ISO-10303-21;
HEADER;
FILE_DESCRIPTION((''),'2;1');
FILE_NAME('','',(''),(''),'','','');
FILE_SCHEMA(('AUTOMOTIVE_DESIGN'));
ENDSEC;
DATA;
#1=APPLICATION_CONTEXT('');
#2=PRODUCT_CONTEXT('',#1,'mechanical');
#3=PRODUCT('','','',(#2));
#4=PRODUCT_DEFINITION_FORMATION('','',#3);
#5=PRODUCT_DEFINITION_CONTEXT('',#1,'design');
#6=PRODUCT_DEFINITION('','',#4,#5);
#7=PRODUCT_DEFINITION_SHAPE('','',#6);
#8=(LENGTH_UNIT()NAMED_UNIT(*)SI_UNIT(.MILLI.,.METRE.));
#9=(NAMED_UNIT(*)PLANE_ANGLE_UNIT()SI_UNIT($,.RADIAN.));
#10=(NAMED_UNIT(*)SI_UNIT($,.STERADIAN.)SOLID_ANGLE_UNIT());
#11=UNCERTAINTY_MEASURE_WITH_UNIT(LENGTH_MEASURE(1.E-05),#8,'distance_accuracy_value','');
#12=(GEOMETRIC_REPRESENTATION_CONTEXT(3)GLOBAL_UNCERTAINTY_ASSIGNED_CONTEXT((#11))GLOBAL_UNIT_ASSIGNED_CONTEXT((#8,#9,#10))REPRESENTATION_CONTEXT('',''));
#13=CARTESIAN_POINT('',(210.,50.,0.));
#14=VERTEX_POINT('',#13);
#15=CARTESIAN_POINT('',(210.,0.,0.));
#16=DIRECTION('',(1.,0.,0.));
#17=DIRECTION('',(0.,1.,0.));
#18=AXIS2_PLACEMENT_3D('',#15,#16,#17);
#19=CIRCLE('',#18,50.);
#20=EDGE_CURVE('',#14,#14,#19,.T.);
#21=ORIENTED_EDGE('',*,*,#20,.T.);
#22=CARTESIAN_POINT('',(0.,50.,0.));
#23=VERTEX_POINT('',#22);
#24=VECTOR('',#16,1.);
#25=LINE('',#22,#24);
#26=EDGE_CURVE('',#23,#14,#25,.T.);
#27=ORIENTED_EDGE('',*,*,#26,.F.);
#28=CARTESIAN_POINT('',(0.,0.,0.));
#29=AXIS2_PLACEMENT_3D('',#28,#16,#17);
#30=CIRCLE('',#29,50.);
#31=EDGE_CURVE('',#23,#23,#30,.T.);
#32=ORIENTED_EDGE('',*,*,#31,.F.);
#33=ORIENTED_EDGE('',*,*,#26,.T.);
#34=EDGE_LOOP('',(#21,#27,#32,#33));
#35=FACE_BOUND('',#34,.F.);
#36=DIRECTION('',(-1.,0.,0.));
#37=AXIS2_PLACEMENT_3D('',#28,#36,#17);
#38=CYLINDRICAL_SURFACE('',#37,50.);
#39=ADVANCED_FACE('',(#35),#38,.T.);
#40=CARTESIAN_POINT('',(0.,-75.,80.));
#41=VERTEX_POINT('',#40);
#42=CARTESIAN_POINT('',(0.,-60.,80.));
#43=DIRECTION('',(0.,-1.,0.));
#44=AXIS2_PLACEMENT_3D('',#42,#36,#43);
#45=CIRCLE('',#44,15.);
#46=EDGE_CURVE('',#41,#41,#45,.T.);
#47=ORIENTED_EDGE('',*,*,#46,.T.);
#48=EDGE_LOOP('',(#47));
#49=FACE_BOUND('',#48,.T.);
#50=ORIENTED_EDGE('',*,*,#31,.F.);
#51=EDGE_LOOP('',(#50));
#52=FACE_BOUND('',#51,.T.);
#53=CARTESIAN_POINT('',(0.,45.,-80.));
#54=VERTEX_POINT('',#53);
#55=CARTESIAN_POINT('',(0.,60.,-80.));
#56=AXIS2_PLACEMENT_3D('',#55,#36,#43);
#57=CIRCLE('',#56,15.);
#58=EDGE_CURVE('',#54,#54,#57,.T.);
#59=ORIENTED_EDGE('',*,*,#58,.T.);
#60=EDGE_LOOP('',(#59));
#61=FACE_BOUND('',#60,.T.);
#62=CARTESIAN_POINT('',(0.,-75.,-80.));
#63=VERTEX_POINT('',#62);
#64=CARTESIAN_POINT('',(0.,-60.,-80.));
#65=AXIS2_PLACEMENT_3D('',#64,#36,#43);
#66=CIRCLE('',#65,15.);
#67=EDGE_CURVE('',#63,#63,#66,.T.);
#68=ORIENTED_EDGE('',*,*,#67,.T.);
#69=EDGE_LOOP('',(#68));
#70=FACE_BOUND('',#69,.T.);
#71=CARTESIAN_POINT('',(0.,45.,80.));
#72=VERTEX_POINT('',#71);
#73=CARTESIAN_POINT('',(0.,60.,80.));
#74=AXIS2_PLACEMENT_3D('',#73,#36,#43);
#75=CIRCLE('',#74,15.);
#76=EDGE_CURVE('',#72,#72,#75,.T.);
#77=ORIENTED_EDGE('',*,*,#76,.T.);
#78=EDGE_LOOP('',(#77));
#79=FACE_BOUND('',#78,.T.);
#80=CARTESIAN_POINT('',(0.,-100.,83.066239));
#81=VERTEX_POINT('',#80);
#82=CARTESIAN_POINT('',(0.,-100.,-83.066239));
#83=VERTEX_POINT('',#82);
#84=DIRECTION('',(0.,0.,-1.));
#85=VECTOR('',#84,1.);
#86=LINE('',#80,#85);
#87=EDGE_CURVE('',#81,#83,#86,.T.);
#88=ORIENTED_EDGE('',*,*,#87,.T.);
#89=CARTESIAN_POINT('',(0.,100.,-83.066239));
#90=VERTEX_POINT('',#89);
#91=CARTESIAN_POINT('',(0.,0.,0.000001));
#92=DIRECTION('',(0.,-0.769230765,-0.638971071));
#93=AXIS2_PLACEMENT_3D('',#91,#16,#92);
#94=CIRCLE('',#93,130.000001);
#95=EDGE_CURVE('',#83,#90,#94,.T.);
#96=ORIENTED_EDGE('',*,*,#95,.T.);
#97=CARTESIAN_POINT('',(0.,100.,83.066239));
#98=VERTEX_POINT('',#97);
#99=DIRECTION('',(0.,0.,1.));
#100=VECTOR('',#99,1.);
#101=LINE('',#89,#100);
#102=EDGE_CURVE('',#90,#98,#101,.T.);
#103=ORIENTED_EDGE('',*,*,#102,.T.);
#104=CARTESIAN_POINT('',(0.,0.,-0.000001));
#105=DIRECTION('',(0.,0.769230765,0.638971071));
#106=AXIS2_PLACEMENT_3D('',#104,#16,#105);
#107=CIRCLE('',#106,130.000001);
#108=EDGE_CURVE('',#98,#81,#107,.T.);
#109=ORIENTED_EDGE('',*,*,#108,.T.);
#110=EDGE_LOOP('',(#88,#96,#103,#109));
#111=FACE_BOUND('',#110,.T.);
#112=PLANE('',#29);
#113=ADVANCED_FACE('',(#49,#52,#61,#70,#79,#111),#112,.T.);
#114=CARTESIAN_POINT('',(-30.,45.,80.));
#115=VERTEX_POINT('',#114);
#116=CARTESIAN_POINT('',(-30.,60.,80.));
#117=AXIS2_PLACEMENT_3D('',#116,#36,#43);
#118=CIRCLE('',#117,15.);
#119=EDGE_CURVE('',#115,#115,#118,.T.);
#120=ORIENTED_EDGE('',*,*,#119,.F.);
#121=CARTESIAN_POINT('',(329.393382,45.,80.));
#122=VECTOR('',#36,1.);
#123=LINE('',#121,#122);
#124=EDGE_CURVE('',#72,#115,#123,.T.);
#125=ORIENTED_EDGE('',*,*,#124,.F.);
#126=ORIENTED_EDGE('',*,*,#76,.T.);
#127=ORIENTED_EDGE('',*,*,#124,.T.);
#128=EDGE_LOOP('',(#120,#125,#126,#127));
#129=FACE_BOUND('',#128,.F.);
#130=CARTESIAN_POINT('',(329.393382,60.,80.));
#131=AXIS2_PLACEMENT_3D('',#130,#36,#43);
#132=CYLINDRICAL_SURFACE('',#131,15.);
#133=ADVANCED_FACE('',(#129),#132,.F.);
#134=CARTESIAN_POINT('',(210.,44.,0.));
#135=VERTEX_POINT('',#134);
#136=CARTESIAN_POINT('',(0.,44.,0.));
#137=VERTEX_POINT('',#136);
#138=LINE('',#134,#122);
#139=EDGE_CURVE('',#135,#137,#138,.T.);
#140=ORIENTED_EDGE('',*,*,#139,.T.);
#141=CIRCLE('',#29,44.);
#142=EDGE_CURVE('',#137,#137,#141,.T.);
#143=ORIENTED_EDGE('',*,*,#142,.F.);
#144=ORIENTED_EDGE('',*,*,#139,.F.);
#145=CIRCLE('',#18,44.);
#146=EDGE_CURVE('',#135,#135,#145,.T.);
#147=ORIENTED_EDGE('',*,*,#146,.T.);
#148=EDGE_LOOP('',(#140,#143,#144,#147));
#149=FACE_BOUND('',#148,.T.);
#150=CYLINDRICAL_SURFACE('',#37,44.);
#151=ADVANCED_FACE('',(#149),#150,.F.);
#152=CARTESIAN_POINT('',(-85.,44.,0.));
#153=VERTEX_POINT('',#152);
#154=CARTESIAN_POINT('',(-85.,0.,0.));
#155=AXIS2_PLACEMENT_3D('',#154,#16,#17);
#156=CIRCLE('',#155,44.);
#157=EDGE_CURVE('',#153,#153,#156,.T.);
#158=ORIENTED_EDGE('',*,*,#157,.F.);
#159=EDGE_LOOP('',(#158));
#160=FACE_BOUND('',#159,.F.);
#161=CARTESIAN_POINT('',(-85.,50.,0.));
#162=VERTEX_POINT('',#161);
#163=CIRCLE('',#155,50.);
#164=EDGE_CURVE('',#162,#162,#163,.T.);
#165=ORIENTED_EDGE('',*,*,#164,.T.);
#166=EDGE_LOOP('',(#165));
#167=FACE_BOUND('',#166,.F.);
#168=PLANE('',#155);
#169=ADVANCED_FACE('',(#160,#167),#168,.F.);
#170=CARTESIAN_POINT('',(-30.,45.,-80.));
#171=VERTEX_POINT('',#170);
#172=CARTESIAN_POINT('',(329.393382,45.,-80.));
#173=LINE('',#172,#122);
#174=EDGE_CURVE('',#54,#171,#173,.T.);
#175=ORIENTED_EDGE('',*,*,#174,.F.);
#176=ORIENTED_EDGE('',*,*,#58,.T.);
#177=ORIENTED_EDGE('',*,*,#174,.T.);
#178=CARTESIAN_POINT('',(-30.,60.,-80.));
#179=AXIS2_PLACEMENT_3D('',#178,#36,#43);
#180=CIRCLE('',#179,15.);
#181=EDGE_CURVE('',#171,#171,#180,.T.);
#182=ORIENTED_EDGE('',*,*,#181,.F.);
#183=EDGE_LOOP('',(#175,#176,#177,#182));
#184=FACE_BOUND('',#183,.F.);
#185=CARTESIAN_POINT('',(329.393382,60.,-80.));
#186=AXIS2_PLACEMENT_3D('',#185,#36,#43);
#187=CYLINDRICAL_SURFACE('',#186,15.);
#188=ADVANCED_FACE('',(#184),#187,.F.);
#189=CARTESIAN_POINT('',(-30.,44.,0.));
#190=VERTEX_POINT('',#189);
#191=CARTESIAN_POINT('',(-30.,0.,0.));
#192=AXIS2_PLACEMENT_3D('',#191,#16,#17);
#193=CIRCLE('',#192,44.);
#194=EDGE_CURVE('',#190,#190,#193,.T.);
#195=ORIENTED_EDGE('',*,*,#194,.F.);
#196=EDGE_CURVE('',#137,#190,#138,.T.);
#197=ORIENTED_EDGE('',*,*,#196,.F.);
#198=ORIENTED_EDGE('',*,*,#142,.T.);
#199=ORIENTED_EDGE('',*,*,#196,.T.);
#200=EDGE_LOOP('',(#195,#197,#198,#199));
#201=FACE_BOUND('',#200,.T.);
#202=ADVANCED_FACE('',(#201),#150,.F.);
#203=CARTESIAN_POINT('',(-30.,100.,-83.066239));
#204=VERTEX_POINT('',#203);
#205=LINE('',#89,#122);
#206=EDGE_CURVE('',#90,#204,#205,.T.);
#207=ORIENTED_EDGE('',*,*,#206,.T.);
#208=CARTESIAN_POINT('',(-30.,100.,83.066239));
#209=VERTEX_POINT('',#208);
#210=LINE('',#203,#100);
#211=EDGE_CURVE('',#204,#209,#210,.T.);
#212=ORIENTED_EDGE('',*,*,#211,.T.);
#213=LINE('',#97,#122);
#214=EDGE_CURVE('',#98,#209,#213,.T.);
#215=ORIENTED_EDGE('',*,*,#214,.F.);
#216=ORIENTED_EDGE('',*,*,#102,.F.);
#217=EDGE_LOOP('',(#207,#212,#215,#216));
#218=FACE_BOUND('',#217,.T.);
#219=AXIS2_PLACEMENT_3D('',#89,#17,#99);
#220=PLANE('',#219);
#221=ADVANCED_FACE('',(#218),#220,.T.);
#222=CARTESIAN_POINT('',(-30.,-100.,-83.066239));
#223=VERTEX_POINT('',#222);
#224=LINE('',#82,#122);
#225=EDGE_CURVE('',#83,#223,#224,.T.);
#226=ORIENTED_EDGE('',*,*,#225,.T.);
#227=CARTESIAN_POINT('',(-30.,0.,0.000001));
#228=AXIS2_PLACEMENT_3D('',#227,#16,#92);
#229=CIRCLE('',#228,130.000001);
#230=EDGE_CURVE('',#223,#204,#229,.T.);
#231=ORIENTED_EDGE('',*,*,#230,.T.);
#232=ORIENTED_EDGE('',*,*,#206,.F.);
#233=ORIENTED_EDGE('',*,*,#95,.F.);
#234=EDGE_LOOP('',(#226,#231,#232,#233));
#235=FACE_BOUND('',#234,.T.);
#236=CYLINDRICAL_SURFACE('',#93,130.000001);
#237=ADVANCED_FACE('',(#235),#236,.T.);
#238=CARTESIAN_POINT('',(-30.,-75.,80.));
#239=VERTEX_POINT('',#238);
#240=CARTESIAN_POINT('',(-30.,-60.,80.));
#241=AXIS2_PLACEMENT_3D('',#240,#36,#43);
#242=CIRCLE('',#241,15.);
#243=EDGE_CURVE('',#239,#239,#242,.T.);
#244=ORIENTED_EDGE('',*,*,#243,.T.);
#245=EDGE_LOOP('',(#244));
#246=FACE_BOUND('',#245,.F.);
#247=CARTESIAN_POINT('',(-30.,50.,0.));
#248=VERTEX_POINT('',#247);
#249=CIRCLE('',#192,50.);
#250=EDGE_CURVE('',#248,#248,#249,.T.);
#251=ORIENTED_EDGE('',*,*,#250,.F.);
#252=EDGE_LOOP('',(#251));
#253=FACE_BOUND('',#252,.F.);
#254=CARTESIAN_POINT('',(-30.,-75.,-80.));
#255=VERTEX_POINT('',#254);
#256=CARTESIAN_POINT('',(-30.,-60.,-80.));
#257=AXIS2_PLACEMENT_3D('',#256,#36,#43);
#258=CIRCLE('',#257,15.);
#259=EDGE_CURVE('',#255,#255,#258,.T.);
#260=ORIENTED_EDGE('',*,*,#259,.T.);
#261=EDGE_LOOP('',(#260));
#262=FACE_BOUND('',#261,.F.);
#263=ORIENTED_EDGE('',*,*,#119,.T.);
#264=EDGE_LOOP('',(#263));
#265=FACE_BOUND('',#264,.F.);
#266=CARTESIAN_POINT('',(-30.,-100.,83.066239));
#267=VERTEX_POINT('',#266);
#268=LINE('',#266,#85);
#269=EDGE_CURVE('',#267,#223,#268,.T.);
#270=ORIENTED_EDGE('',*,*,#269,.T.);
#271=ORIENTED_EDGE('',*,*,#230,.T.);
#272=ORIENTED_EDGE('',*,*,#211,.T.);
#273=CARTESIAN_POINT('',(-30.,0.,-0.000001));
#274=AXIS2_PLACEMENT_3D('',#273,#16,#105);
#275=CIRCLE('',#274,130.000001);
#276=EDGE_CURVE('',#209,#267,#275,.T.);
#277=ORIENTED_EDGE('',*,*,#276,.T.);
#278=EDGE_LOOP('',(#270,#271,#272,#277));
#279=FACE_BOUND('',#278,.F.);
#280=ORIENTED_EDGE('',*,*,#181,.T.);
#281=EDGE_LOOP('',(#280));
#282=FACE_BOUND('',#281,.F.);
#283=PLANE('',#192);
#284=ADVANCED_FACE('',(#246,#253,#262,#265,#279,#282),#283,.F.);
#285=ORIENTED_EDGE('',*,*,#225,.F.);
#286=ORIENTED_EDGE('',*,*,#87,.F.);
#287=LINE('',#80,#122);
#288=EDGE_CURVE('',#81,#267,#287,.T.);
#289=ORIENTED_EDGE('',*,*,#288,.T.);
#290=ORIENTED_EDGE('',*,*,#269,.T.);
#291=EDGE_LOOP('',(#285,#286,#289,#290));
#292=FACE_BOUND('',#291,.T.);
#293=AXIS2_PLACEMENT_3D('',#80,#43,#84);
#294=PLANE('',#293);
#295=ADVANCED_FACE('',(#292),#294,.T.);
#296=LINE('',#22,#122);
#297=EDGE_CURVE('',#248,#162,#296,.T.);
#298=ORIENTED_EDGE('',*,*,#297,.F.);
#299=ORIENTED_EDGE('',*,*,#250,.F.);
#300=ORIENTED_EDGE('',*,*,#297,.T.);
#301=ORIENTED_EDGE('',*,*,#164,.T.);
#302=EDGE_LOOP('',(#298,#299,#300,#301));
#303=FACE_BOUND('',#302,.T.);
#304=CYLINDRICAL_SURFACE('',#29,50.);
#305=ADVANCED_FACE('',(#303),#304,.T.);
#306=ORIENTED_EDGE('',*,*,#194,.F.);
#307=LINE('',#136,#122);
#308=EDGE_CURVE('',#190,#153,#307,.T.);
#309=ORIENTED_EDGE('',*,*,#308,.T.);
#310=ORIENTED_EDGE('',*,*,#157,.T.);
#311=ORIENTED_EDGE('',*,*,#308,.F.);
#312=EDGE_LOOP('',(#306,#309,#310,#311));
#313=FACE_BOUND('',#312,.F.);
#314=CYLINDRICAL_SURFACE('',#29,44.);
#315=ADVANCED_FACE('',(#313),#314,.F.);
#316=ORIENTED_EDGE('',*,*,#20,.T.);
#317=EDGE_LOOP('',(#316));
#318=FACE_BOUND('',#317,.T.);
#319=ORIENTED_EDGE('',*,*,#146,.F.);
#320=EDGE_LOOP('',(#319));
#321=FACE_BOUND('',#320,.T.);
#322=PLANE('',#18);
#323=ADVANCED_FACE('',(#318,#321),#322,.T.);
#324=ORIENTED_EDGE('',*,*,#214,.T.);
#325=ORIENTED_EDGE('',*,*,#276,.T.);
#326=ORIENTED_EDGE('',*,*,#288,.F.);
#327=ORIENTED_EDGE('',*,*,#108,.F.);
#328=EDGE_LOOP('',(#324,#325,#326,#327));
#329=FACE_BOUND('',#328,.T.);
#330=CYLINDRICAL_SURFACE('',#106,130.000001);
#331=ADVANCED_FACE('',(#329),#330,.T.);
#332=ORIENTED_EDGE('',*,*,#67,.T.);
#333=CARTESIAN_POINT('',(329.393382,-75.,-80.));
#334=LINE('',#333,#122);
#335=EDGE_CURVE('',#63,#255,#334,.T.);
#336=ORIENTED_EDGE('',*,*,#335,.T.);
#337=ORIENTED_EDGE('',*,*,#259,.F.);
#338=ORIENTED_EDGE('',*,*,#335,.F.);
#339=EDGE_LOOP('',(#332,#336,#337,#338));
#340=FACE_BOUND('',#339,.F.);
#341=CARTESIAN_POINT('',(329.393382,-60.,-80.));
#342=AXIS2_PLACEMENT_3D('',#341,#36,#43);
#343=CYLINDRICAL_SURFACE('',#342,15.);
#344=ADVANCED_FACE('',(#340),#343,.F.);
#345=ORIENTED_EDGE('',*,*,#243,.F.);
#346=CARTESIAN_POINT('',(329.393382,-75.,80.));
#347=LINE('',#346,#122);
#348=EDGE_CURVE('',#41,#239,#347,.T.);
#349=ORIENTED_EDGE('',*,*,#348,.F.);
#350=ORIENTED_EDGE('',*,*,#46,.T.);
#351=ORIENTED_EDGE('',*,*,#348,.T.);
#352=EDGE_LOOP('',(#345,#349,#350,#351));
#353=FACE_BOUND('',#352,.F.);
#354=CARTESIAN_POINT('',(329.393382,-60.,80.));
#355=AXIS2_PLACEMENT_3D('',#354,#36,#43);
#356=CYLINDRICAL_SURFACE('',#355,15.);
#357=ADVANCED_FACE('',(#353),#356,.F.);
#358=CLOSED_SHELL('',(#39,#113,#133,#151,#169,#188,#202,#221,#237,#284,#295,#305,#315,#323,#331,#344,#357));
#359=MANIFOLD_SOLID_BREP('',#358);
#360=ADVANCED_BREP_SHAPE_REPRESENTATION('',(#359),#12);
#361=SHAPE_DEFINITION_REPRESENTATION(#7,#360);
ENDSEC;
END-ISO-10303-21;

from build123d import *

# Parameters (mm, degrees)
F0_R     = 50
F0_R_2   = 44
F1_DEPTH = 30
F2_D     = 30
F3_DEPTH = 210
F4_DEPTH = 85


with BuildPart() as f1:
    # F0 (on Right) → F1 (new body)
    with BuildSketch(Plane.YZ):
        with BuildLine():
            Line((100, -83.066239), (100, 83.066239))
            ThreePointArc((100, 83.066239), (0, 130), (-100, 83.066239))
            Line((-100, 83.066239), (-100, -83.066239))
            ThreePointArc((-100, -83.066239), (0, -130), (100, -83.066239))
        make_face()
        Circle(F0_R, mode=Mode.SUBTRACT)
        Circle(F0_R)
        Circle(F0_R_2, mode=Mode.SUBTRACT)
    extrude(amount=-F1_DEPTH)

    # F2 (through all)
    with Locations(Plane.YZ):
        with Locations((-60, 80), (60, 80), (60, -80), (-60, -80)):
            Hole(F2_D / 2)

    # F0 (on Right) → F3 (join)
    with BuildSketch(Plane.YZ):
        Circle(F0_R)
        Circle(F0_R_2, mode=Mode.SUBTRACT)
    extrude(amount=F3_DEPTH)

    # F0 (on Right) → F4 (join)
    with BuildSketch(Plane.YZ):
        Circle(F0_R)
        Circle(F0_R_2, mode=Mode.SUBTRACT)
    extrude(amount=-F4_DEPTH)


solid = f1.part
